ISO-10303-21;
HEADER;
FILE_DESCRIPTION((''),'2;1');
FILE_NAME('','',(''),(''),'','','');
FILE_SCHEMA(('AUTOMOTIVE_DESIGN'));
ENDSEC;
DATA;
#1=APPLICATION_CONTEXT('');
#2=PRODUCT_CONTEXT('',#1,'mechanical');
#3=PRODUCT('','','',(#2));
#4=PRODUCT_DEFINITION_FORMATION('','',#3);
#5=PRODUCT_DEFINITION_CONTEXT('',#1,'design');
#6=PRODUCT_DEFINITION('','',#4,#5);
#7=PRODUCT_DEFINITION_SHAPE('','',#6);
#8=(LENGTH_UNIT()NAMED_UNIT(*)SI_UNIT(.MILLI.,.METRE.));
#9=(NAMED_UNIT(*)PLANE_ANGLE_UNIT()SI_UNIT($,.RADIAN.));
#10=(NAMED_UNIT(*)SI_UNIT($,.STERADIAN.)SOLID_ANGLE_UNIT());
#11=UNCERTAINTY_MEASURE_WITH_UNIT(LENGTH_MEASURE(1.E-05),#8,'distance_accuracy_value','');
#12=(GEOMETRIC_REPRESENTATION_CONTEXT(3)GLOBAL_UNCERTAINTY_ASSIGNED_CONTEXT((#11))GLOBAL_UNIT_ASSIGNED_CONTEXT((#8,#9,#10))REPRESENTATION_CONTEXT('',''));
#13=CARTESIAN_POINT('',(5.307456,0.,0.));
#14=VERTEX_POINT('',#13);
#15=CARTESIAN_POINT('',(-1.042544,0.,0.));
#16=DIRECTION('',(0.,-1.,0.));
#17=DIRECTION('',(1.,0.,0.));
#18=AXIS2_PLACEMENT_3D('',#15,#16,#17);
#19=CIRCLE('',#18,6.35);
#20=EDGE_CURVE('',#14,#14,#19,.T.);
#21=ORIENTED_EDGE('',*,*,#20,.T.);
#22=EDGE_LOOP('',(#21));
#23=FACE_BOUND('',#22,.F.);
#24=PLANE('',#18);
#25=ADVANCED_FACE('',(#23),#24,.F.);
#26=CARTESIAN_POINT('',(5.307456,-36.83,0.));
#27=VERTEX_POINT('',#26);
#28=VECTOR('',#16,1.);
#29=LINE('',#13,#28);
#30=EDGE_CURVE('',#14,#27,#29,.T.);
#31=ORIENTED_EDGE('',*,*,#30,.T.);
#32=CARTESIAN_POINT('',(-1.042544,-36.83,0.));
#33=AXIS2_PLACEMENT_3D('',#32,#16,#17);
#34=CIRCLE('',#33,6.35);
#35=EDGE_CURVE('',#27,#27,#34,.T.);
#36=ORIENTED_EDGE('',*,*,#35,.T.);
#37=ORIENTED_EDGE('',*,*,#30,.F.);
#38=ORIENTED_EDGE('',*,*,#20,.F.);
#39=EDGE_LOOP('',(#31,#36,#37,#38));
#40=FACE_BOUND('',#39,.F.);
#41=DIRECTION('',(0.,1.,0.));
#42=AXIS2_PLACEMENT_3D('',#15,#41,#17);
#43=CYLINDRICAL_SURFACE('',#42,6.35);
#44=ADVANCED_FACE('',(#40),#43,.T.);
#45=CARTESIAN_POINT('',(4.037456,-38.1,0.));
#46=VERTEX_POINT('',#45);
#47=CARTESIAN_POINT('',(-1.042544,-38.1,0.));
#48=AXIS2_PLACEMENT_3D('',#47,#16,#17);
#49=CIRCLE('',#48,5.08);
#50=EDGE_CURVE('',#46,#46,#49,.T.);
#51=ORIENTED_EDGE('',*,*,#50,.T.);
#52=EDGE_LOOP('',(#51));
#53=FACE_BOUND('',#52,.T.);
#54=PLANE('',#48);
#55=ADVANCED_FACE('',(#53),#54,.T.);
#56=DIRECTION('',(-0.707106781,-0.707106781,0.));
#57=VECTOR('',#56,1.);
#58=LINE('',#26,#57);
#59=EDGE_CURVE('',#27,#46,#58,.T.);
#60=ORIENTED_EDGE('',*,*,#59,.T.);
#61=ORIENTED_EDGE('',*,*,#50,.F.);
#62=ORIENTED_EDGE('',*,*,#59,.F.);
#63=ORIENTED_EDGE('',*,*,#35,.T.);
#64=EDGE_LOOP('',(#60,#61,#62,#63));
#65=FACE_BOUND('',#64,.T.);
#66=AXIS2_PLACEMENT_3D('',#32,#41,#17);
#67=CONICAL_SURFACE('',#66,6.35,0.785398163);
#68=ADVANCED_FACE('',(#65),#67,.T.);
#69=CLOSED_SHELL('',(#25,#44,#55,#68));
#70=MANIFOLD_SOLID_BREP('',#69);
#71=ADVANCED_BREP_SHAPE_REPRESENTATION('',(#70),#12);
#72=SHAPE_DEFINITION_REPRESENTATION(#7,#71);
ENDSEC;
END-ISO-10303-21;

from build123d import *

# Parameters (mm, degrees)
F0_R     = 6.35
F1_DEPTH = 38.1
F2_SIZE  = 1.27


with BuildPart() as f1:
    # F0 (on Front) → F1 (new body)
    with BuildSketch(Plane.XZ):
        with Locations((-1.042544, 0)):
            Circle(F0_R)
    extrude(amount=F1_DEPTH)

    # F2
    f2_edges = [f1.edges().sort_by_distance(p)[0] for p in [
        (-7.392544, -38.1, 0),
    ]]
    chamfer(f2_edges, length=F2_SIZE)


solid = f1.part
